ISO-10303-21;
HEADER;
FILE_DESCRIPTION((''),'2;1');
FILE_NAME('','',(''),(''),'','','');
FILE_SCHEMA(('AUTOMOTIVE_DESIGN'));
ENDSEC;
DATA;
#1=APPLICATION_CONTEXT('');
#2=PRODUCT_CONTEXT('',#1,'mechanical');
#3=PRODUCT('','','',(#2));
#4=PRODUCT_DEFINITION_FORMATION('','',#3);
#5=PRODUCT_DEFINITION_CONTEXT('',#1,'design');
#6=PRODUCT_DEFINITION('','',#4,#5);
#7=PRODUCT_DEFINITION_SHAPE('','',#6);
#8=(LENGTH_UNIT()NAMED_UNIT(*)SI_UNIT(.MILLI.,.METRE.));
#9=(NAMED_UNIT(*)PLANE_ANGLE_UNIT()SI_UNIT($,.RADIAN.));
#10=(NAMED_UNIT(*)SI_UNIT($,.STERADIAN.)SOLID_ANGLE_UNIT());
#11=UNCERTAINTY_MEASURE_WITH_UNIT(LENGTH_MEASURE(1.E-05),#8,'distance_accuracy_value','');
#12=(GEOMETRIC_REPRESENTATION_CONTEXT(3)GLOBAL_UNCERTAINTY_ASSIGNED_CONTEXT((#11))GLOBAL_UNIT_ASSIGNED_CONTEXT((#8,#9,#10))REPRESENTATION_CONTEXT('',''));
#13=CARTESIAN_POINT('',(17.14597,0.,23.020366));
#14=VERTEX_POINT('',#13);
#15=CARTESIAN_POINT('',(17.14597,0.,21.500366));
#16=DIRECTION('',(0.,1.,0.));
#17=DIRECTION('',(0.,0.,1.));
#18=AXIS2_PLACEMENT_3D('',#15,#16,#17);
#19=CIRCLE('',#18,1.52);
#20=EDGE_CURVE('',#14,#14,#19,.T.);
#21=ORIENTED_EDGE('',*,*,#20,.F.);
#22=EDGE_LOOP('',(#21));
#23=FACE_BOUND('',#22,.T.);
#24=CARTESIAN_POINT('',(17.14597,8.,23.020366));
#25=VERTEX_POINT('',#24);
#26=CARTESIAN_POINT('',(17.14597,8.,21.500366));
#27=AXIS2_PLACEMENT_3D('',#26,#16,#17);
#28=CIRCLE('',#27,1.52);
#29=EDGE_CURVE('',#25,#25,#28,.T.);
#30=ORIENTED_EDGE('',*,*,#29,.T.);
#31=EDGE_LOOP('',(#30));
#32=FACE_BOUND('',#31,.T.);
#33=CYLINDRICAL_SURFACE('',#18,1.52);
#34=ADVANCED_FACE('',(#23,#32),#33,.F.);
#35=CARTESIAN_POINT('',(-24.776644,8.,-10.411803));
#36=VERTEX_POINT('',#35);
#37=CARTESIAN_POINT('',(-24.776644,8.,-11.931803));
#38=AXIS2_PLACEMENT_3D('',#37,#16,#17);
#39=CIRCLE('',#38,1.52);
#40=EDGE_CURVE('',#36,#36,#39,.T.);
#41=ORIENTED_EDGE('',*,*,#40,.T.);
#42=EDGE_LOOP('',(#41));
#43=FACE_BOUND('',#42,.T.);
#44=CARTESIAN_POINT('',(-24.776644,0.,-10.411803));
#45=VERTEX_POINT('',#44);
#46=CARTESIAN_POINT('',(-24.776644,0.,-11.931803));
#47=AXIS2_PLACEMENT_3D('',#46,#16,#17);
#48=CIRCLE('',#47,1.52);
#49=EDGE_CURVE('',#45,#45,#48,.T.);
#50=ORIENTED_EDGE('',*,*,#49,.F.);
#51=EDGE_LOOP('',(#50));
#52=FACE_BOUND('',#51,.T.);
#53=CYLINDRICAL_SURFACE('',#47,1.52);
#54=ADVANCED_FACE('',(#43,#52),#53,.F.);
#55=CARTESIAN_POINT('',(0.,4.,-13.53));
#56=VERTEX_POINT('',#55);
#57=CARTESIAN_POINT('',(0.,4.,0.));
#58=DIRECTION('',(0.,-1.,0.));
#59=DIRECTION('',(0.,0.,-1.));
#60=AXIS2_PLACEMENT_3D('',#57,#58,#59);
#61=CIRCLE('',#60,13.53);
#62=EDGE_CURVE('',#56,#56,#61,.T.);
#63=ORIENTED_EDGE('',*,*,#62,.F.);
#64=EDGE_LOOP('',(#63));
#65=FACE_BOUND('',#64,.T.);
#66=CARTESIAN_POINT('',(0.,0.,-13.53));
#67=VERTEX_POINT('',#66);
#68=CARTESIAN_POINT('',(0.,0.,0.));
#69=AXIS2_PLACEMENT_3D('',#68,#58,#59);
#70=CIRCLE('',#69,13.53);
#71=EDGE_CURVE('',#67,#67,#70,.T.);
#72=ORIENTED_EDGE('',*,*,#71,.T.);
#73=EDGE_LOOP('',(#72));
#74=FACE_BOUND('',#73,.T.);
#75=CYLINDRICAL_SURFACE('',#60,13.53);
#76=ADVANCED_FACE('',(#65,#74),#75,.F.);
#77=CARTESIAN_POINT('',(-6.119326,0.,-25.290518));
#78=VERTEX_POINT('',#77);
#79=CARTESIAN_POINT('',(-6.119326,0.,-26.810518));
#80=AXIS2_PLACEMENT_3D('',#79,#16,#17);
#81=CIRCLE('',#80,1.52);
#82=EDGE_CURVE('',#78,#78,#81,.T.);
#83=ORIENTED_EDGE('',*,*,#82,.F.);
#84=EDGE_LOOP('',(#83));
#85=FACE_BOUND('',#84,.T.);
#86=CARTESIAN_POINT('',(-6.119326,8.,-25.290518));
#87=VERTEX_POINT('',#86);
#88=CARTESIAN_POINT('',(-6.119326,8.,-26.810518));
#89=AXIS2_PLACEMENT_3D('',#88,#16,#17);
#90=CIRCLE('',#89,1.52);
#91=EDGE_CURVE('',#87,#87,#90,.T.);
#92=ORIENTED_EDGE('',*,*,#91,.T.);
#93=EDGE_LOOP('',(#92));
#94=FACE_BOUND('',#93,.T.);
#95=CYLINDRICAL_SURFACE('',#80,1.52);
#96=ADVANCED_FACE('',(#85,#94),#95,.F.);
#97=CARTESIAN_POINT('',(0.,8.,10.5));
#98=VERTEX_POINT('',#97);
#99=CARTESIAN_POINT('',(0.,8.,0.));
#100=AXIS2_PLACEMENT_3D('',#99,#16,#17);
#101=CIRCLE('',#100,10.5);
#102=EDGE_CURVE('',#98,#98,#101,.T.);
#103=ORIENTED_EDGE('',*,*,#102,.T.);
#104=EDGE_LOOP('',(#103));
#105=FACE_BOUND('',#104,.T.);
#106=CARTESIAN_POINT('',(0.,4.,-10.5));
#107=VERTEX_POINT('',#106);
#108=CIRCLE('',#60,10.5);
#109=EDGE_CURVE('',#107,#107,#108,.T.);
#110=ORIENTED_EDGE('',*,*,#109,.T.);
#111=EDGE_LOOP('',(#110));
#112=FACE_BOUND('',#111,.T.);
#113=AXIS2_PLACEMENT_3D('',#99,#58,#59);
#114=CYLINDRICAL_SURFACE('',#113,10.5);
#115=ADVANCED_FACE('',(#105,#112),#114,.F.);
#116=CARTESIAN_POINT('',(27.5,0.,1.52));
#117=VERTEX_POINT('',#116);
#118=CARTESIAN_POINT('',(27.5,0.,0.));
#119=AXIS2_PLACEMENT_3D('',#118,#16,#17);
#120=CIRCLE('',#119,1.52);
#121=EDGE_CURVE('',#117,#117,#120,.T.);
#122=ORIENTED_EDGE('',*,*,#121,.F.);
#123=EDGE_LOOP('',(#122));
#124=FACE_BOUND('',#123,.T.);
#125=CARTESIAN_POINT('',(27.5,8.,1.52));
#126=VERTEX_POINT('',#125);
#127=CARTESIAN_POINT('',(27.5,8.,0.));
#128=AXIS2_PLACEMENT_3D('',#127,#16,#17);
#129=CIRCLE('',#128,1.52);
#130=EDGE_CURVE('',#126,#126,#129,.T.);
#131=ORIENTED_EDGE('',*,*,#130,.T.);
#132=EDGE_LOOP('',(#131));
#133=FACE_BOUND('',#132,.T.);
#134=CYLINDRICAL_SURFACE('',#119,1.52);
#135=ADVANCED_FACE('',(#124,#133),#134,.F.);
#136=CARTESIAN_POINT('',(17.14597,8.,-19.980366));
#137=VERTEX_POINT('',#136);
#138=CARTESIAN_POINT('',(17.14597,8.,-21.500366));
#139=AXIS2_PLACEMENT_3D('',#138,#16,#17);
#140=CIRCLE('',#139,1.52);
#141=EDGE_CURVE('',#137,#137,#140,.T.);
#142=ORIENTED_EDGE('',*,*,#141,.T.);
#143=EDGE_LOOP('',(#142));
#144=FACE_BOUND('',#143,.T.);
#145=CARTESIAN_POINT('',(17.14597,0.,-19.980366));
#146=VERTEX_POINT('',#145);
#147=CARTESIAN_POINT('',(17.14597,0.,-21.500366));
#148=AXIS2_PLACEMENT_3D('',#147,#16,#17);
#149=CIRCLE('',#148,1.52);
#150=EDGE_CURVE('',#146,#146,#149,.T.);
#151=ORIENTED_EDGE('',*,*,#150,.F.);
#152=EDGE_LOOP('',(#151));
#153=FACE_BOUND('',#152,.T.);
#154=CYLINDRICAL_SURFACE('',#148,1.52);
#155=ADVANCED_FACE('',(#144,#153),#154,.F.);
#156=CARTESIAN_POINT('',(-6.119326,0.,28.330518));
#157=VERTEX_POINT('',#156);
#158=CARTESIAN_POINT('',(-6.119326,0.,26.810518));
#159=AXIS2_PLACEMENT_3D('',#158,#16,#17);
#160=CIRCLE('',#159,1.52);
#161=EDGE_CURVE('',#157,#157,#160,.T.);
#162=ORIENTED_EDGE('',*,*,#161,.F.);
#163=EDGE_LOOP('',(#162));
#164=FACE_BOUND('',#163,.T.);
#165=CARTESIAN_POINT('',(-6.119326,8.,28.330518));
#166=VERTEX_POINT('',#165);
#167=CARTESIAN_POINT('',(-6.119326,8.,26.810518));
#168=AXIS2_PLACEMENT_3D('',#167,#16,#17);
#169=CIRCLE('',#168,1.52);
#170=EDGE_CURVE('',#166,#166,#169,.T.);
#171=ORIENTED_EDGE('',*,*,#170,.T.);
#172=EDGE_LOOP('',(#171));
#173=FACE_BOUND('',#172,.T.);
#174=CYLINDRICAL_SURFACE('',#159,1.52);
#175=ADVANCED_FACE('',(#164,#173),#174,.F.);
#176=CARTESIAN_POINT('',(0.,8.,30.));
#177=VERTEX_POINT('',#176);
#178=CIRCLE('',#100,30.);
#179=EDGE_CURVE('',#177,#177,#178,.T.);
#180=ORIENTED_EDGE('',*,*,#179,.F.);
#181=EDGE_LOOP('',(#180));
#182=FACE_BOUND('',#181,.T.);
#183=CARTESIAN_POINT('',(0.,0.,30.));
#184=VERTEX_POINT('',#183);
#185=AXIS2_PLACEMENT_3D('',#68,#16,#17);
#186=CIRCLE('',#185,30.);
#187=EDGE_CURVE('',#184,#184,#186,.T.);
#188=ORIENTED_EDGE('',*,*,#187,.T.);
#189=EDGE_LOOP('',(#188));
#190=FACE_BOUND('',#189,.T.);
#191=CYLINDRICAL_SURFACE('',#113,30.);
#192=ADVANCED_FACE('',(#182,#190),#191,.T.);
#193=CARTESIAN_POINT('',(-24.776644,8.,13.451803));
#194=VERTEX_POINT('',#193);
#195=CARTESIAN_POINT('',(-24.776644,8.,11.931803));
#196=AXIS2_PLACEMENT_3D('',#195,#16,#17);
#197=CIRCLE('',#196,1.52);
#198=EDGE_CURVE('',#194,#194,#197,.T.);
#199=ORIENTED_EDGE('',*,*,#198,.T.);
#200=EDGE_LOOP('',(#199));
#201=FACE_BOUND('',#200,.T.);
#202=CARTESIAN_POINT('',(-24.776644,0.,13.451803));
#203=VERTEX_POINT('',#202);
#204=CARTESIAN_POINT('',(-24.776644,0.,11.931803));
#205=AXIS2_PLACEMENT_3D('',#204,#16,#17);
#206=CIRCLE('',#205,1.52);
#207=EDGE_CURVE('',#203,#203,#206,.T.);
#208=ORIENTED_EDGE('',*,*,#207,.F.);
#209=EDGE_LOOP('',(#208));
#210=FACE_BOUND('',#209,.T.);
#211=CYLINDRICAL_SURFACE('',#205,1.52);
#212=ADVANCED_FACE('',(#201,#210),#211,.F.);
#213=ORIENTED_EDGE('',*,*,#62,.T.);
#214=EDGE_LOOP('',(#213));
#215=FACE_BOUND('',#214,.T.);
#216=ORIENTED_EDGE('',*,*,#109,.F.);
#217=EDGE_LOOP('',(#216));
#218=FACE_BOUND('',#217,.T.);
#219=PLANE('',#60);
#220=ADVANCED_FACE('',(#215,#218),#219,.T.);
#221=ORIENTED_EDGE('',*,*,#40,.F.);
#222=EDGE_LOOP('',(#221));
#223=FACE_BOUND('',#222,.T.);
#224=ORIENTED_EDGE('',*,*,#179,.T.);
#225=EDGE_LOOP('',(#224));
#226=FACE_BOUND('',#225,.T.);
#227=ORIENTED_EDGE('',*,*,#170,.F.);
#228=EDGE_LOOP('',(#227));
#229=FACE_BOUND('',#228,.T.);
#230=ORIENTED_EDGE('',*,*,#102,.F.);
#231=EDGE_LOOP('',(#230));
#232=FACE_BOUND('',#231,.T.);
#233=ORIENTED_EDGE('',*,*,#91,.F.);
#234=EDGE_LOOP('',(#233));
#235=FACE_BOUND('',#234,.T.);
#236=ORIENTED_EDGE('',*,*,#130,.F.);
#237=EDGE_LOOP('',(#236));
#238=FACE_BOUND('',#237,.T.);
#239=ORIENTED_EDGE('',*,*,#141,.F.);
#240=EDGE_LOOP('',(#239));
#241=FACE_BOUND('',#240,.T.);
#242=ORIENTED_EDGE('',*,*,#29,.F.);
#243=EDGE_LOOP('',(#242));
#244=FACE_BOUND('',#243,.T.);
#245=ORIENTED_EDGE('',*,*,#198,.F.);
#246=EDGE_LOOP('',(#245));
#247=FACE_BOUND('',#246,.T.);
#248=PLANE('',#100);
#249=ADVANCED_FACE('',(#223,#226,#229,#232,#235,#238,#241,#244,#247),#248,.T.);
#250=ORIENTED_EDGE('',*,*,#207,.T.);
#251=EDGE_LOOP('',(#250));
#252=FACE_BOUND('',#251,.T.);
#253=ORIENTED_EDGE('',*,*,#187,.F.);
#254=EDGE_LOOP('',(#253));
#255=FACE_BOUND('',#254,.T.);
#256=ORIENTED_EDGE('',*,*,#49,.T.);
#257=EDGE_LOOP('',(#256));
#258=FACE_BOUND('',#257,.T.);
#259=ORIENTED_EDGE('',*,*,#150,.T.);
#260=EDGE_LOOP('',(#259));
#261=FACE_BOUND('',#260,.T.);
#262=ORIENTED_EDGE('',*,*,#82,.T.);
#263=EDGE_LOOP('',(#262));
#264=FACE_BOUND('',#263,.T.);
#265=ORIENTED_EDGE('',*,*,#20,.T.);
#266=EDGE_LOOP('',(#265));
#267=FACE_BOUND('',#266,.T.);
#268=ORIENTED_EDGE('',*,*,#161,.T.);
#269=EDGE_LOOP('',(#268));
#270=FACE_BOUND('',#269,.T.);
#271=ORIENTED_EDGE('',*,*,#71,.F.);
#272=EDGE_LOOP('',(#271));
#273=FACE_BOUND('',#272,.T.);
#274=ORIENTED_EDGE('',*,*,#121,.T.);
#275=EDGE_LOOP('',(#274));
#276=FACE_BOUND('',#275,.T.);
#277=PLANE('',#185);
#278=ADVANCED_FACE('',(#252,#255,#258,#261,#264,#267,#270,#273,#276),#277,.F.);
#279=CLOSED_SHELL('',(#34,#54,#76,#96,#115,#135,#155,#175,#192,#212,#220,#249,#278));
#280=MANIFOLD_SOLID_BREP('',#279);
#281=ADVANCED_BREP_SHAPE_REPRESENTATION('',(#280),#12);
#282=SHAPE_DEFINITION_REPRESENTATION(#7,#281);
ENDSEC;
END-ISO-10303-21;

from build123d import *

# Parameters (mm, degrees)
CROQUIS1_R              = 30
CROQUIS1_R_2            = 10.5
SALIENTE_EXTRUIR1_DEPTH = 8
CROQUIS2_R              = 13.53
CORTAR_EXTRUIR1_DEPTH   = 4
CROQUIS3_R              = 1.52
CORTAR_EXTRUIR2_DEPTH   = 44.17406629


with BuildPart() as part:
    # Croquis1 → Saliente-Extruir1 (new body)
    with BuildSketch(Plane(origin=(0, 0, 0), x_dir=(1, 0, 0), z_dir=(0, 1, 0))):
        with Locations(Location((0, 0, 0), (0, 0, 270))):
            Circle(CROQUIS1_R)
        with Locations(Location((0, 0, 0), (0, 0, 270))):
            Circle(CROQUIS1_R_2, mode=Mode.SUBTRACT)
    extrude(amount=SALIENTE_EXTRUIR1_DEPTH)

    # Croquis2 → Cortar-Extruir1 (cut)
    with BuildSketch(Plane.XZ):
        with Locations(Location((0, 0, 0), (0, 0, 270))):
            Circle(CROQUIS2_R)
    extrude(amount=-CORTAR_EXTRUIR1_DEPTH, mode=Mode.SUBTRACT)

    # Croquis3 → Cortar-Extruir2 (cut, through all)
    with BuildSketch(Plane(origin=(0, 8, 0), x_dir=(1, 0, 0), z_dir=(0, 1, 0))):
        with Locations(Location((27.5, 0, 0), (0, 0, 270))):
            Circle(CROQUIS3_R)
        with Locations(Location((17.145969551, -21.500365768, 0), (0, 0, 270))):
            Circle(CROQUIS3_R)
        with Locations(Location((-6.119325684, -26.810517585, 0), (0, 0, 270))):
            Circle(CROQUIS3_R)
        with Locations(Location((-24.776643867, -11.931802826, 0), (0, 0, 270))):
            Circle(CROQUIS3_R)
        with Locations(Location((-24.776643867, 11.931802826, 0), (0, 0, 270))):
            Circle(CROQUIS3_R)
        with Locations(Location((-6.119325684, 26.810517585, 0), (0, 0, 270))):
            Circle(CROQUIS3_R)
        with Locations(Location((17.145969551, 21.500365768, 0), (0, 0, 270))):
            Circle(CROQUIS3_R)
    extrude(amount=-CORTAR_EXTRUIR2_DEPTH, mode=Mode.SUBTRACT)


solid = part.part
